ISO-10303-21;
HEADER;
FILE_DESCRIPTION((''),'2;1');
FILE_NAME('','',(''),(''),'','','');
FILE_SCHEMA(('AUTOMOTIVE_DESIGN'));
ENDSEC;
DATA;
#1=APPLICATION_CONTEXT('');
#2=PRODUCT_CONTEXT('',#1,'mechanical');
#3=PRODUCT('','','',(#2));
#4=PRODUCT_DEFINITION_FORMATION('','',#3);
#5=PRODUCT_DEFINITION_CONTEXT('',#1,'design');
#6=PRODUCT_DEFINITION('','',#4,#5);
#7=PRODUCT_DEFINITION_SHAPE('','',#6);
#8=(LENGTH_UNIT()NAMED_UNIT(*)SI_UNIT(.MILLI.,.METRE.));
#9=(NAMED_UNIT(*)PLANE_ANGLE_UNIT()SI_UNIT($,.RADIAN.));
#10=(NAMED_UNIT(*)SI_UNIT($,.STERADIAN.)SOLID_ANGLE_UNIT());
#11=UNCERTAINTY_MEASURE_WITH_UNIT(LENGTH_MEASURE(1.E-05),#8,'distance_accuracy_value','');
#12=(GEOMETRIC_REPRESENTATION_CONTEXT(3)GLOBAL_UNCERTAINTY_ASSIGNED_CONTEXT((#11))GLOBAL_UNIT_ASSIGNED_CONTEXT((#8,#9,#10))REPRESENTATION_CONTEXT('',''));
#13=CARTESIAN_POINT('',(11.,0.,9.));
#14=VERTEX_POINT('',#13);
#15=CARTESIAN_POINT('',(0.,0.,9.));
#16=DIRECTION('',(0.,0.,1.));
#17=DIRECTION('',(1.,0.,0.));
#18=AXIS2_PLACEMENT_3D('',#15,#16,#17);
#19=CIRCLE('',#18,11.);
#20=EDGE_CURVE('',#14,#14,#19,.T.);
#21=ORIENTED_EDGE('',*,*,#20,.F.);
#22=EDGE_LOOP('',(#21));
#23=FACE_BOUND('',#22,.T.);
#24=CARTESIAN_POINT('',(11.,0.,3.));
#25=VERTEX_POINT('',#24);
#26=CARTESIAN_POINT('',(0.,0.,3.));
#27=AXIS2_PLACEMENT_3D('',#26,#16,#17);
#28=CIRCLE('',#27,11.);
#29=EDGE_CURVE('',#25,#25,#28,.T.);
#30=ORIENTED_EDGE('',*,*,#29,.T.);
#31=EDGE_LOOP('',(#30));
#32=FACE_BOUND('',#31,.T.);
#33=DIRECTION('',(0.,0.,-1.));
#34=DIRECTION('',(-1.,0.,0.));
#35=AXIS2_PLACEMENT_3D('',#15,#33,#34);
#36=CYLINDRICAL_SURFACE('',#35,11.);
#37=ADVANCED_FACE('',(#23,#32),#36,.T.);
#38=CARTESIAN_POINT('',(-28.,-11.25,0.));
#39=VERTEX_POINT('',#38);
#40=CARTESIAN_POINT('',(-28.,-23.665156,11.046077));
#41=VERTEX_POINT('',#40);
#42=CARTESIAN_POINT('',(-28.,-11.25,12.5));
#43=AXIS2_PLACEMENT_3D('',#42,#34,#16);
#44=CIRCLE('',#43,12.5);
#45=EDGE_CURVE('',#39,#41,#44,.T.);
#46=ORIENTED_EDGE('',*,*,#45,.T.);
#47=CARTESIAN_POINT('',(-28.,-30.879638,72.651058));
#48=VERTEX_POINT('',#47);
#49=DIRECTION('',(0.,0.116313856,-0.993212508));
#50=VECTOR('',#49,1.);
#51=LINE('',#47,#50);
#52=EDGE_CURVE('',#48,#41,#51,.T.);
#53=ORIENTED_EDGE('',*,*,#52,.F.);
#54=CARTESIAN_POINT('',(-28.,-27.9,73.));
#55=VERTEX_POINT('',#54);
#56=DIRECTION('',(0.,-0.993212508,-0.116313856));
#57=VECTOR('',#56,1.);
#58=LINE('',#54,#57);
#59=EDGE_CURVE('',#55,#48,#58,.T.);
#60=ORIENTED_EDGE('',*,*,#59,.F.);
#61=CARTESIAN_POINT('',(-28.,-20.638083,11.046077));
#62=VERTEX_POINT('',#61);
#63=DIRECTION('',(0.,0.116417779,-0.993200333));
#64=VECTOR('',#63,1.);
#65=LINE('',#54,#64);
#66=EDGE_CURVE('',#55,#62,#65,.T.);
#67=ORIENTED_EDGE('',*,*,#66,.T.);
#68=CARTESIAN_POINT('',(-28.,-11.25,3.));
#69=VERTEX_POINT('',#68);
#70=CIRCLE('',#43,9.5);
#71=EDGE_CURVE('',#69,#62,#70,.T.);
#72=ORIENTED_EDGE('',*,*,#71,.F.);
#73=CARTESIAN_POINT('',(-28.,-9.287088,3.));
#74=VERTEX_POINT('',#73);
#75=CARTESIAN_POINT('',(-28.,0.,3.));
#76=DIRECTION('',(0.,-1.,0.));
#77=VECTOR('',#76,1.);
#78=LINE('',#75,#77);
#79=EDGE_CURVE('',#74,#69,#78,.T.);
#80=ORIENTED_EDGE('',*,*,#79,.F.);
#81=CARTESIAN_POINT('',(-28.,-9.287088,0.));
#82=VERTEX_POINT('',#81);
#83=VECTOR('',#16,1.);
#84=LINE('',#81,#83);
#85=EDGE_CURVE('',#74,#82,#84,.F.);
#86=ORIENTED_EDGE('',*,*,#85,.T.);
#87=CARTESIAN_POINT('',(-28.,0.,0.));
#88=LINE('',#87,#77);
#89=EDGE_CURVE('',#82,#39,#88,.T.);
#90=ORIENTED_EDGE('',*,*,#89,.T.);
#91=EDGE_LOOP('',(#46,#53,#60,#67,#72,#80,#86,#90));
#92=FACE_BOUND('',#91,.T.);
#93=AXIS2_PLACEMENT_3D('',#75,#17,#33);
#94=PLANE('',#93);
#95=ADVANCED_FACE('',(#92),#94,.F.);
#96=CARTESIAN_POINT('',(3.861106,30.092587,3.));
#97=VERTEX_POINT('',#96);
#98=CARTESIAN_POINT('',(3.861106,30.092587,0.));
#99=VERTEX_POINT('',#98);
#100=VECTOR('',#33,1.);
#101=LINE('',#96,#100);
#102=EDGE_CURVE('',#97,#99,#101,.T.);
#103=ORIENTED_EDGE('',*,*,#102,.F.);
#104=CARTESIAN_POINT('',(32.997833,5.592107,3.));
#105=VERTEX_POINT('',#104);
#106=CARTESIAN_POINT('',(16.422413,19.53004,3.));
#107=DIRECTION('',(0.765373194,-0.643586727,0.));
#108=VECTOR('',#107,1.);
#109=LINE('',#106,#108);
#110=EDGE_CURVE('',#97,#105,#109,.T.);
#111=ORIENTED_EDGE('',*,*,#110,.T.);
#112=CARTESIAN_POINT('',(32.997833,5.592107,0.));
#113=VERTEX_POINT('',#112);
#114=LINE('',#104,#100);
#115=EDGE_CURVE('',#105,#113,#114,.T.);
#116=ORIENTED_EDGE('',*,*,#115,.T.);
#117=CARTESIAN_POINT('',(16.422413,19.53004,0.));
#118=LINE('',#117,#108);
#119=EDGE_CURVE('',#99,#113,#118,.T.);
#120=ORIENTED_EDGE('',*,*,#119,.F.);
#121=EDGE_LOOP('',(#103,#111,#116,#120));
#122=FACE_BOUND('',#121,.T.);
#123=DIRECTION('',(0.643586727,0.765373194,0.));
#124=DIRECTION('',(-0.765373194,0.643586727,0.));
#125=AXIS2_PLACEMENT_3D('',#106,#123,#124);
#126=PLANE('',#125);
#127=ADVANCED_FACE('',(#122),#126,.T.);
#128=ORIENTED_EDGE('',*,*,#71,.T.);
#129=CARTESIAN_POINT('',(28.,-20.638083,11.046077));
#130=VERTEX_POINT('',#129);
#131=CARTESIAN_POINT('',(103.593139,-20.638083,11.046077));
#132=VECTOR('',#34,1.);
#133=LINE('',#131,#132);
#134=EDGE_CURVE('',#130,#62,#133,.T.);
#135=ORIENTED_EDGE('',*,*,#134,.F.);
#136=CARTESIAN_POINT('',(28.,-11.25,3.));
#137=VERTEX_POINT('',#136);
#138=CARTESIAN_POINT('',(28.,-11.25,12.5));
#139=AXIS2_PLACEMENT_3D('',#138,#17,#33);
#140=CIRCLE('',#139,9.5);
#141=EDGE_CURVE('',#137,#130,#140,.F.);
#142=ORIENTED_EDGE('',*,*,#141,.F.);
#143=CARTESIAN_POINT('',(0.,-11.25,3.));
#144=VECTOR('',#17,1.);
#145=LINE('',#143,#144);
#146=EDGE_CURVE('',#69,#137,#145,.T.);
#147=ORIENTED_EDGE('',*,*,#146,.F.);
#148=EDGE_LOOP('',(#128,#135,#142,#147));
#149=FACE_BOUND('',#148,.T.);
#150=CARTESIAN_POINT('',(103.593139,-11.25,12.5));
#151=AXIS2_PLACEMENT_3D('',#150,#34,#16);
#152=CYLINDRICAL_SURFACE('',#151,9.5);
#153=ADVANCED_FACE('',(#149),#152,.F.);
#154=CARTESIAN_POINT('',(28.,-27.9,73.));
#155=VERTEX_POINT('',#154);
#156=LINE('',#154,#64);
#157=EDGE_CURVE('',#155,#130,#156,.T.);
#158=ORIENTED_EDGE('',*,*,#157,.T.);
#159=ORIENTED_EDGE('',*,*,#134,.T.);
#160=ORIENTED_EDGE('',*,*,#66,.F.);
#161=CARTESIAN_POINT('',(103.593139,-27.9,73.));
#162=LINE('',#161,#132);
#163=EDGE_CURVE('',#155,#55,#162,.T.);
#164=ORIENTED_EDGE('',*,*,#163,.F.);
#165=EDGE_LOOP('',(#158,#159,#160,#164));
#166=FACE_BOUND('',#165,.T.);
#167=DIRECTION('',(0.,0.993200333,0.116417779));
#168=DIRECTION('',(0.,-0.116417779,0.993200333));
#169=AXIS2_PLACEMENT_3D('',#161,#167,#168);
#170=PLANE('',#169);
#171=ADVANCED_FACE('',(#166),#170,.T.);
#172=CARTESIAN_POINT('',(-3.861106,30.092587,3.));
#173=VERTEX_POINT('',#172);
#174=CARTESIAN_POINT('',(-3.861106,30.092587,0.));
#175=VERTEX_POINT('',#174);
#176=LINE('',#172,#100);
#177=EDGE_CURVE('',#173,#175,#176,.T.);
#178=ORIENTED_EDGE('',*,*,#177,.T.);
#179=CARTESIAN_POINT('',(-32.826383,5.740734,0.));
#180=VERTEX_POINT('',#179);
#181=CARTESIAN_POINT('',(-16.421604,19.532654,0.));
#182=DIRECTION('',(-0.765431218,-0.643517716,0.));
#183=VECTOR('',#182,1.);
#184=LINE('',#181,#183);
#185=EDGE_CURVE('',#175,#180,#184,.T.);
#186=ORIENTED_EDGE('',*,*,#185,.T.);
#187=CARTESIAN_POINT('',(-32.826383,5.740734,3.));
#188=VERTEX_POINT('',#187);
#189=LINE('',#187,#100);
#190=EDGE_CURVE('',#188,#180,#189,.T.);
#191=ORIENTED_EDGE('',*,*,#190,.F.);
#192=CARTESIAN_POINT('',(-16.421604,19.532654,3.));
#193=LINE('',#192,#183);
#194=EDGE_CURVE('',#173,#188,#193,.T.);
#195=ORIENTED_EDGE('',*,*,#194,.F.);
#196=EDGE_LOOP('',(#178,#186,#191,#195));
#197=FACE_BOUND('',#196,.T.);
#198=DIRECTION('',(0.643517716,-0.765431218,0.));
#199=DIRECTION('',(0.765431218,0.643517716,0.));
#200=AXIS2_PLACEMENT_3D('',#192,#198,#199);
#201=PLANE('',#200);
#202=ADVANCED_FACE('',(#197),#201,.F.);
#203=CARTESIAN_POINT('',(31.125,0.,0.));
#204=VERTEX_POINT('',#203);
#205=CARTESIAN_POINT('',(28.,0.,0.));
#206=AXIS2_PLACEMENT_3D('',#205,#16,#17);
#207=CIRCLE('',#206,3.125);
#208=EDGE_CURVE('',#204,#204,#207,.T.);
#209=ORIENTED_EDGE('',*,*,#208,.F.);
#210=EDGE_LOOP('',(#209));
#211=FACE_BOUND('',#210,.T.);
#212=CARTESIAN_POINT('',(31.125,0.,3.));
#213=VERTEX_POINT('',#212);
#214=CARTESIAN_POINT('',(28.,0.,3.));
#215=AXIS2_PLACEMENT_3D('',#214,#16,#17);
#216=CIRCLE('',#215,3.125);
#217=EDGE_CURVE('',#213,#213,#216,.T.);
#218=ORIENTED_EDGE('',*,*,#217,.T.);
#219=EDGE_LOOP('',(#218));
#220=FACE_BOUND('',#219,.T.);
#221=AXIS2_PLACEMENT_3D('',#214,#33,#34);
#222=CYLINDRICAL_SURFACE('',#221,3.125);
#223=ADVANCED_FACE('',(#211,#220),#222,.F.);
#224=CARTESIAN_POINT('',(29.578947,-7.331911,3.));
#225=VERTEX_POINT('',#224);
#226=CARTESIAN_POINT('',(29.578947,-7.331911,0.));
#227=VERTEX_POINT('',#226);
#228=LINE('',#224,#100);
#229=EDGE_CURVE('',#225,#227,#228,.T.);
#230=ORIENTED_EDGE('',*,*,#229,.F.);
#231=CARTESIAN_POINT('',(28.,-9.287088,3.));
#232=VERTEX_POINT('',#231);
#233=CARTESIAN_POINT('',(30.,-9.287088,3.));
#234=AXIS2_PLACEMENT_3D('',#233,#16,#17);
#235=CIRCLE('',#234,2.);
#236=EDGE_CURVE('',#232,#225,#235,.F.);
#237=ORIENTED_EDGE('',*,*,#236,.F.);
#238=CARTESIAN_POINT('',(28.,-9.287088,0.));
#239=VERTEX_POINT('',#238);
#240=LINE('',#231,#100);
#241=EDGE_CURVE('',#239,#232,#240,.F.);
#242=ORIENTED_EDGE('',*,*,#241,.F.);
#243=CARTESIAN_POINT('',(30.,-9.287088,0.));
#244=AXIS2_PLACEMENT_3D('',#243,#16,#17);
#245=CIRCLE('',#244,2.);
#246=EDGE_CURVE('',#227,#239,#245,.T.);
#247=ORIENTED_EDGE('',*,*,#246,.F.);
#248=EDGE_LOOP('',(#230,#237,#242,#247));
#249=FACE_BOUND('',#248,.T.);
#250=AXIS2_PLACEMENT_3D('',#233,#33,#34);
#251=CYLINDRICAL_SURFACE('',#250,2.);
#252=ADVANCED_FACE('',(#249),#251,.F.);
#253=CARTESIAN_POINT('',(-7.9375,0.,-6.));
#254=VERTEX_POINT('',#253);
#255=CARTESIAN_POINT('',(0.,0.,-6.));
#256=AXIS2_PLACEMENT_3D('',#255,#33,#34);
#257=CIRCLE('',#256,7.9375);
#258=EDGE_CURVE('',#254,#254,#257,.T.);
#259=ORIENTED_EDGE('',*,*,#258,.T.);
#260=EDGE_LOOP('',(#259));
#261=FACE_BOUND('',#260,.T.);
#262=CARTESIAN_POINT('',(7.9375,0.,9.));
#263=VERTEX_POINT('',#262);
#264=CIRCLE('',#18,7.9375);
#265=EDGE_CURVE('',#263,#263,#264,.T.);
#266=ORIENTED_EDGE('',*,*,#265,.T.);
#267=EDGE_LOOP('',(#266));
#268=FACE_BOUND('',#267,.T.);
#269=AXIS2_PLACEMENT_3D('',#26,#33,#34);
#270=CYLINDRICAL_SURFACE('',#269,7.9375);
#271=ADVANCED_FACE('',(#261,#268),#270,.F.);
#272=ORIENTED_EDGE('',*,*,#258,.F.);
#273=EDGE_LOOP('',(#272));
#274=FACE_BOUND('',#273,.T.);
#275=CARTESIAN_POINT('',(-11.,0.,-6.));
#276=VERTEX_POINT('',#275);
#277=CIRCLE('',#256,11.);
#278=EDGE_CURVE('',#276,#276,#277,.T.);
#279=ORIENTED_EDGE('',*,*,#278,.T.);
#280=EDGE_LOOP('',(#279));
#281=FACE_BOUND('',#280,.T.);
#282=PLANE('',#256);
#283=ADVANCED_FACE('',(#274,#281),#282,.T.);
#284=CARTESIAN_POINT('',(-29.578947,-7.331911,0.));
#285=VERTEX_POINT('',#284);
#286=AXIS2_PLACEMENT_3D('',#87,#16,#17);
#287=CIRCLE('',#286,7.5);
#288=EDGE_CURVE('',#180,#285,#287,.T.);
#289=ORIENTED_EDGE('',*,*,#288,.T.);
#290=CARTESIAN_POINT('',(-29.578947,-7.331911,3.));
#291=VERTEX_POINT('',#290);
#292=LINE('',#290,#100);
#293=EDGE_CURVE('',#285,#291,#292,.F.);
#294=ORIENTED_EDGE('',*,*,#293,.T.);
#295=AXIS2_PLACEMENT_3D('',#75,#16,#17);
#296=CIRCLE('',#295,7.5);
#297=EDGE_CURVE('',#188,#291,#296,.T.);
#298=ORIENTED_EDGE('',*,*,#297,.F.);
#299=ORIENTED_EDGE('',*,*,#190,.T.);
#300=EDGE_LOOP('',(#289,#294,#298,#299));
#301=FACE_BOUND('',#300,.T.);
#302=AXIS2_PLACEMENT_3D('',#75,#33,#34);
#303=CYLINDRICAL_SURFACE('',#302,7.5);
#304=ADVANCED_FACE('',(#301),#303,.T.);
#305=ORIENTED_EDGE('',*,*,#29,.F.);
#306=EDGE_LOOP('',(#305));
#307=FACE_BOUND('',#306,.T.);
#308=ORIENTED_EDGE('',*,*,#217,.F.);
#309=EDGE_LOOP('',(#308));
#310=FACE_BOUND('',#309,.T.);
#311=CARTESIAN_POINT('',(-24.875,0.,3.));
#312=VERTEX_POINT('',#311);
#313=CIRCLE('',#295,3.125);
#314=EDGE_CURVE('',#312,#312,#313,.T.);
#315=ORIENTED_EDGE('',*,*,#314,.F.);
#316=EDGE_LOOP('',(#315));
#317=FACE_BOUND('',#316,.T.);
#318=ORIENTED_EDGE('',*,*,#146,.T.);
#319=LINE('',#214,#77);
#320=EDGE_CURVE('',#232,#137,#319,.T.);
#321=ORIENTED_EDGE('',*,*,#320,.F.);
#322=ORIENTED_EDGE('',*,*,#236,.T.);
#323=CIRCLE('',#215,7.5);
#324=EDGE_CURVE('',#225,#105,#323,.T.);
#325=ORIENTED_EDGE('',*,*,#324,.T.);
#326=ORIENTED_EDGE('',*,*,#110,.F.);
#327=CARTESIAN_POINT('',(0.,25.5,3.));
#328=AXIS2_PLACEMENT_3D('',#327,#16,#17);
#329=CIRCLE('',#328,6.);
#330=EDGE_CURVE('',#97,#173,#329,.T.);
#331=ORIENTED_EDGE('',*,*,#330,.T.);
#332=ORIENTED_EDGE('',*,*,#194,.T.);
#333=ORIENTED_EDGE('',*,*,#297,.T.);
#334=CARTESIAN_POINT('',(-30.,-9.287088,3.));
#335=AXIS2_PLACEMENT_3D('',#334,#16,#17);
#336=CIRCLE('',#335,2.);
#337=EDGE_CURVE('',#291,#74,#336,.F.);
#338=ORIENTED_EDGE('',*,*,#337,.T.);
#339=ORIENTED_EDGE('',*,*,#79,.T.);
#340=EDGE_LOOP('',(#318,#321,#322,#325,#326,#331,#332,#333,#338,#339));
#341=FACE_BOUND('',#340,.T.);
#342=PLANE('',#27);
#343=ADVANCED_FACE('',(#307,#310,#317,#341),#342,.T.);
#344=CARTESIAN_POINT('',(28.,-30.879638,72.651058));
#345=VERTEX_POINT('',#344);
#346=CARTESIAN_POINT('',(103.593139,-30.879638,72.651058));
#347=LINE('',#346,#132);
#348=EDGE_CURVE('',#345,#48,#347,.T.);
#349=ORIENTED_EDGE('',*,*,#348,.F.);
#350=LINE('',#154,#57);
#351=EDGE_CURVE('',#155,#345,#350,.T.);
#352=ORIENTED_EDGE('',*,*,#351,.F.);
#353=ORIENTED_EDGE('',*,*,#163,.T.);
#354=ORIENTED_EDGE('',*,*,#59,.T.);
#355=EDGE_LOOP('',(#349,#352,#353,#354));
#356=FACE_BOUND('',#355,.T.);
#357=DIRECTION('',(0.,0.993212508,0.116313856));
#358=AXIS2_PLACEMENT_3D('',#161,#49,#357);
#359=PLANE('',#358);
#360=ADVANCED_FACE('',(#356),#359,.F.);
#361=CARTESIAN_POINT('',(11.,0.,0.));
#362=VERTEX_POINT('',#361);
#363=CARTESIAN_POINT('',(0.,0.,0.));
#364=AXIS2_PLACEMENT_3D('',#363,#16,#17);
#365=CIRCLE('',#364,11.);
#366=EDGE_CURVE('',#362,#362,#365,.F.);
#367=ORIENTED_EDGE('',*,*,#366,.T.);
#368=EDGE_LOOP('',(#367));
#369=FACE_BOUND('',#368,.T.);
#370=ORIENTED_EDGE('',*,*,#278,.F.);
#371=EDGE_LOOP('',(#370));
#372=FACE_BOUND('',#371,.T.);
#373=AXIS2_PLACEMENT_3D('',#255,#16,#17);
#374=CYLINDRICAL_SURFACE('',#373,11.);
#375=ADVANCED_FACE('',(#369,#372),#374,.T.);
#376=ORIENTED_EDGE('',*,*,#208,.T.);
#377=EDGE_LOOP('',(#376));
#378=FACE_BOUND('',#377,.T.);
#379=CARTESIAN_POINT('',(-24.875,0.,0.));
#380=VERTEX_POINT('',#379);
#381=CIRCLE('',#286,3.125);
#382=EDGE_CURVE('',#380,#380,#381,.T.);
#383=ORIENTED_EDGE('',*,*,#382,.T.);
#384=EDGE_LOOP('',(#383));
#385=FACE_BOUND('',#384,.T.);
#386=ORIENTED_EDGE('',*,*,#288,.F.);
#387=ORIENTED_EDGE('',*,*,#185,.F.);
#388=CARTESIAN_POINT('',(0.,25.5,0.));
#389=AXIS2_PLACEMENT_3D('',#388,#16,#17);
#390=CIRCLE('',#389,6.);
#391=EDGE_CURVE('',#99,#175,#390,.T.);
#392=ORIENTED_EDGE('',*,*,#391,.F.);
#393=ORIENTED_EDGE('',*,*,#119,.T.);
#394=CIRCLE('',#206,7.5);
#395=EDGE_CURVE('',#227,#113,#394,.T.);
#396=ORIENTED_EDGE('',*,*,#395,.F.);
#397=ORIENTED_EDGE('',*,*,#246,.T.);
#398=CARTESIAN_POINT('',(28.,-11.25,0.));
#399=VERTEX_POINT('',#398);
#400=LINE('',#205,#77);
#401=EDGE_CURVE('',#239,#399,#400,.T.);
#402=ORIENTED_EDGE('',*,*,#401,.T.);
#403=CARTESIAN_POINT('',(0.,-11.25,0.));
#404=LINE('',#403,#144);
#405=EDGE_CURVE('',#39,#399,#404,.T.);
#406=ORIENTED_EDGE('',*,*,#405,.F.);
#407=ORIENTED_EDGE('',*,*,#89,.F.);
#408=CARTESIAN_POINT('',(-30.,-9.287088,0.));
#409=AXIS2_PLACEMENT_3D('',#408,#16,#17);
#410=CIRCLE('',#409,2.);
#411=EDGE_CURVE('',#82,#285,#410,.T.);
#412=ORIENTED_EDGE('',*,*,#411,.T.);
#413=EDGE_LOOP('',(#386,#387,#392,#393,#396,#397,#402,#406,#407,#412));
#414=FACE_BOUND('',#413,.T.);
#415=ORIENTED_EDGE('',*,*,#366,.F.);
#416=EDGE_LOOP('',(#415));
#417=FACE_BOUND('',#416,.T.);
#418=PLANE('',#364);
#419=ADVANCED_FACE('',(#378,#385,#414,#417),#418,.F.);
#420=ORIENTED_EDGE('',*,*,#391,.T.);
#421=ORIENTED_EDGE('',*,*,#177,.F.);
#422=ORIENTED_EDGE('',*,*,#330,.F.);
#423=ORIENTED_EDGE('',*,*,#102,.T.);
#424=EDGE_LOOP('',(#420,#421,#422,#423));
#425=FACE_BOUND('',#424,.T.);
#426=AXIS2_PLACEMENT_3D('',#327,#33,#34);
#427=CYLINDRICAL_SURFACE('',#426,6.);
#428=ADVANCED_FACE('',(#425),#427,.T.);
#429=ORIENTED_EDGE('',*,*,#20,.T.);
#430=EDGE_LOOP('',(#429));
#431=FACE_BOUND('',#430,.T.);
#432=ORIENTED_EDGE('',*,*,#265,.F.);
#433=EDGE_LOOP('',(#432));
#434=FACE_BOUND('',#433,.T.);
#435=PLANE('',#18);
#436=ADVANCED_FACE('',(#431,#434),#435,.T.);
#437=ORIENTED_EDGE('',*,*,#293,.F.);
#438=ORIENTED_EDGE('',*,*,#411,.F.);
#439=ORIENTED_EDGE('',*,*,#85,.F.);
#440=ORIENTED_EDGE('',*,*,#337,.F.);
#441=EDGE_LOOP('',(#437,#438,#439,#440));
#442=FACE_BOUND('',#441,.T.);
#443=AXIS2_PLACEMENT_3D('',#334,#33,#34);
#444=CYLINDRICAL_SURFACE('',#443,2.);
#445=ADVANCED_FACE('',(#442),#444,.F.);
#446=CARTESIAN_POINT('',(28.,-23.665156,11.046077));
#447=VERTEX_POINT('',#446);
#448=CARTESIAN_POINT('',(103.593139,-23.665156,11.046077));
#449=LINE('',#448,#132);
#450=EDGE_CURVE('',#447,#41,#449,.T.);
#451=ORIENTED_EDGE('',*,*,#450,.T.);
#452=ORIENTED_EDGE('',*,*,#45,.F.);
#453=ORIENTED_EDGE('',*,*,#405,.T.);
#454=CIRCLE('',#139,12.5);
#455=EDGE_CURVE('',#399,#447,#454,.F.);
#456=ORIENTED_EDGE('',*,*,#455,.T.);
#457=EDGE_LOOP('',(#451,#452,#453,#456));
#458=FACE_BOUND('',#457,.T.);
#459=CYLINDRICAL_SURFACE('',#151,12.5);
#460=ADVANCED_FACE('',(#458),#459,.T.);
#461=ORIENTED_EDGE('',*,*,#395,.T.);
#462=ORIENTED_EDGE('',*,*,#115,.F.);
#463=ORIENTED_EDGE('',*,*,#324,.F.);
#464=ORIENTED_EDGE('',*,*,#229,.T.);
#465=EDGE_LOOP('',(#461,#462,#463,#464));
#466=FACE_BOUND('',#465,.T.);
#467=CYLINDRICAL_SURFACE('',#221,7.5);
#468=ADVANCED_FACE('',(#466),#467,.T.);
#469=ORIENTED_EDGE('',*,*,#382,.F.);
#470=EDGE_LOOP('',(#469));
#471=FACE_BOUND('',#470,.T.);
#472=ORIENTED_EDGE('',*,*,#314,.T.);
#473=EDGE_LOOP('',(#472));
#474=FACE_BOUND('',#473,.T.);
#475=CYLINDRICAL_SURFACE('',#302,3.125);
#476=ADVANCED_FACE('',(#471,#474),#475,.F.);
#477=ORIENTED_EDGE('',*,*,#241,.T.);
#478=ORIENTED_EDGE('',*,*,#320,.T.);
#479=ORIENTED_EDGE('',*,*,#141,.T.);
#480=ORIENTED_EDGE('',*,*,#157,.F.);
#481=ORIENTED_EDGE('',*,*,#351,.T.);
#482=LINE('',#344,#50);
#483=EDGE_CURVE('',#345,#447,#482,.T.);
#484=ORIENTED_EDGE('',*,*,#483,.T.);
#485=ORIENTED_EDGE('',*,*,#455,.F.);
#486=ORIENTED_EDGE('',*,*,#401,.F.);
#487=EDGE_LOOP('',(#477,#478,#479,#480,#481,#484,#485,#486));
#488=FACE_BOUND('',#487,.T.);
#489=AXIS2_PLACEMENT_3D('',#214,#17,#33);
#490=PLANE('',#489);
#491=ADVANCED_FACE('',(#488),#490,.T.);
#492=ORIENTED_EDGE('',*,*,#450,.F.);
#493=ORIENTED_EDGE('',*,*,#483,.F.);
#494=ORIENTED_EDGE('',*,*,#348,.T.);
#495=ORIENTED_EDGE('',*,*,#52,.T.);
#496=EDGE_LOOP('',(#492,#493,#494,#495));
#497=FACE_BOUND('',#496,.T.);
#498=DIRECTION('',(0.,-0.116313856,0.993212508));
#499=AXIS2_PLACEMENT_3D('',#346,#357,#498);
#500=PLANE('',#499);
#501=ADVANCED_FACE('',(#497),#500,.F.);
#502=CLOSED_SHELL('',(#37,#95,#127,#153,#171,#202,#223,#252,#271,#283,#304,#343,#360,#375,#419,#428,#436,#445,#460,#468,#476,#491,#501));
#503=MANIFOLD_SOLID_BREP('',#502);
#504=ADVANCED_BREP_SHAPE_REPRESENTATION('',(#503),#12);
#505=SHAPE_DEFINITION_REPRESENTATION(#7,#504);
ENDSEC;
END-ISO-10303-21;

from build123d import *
from build123d.topology import SkipClean

# Parameters (mm, degrees)
SKETCH2_R           = 3.125
SKETCH2_R_2         = 7.9375
BOSS_EXTRUDE2_DEPTH = 3
BOSS_EXTRUDE3_START = 6
SKETCH5_R           = 11
SKETCH5_R_2         = 7.9375
BOSS_EXTRUDE3_DEPTH = 6
SKETCH6_R           = 11
SKETCH6_R_2         = 7.9375
BOSS_EXTRUDE4_DEPTH = 6
BOSS_EXTRUDE5_DEPTH = 56
FILLET1_R           = 2


with BuildPart() as part:
    # Sketch2 → Boss-Extrude2 (new body)
    # profile 1 of 2: a face of its own
    with BuildSketch(Plane.XY):
        with BuildLine():
            ThreePointArc((3.861106297, 30.092587306), (0, 31.5), (-3.861106297, 30.092587306))
            Line((-3.861106297, 30.092587306), (-32.826382871, 5.740734133))
            ThreePointArc((-32.826382871, 5.740734133), (-35.046470961, -2.568510658), (-28, -7.5))
            Line((-28, -7.5), (-28, -11.25))
            Line((-28, -11.25), (28, -11.25))
            Line((28, -11.25), (28, -7.5))
            ThreePointArc((28, -7.5), (35.006811058, -2.674808179), (32.997833475, 5.592106988))
            Line((32.997833475, 5.592106988), (32.651575677, 5.883268116))
            Line((32.651575677, 5.883268116), (3.86193439, 30.091890979))
            Line((3.86193439, 30.091890979), (3.861106297, 30.092587306))
        make_face()
        with Locations((-28, 0)):
            Circle(SKETCH2_R, mode=Mode.SUBTRACT)
        with BuildLine():
            ThreePointArc((0, -11), (-0.700886243, -10.97764813), (-1.3989241, -10.910683359))
            ThreePointArc((-1.3989241, -10.910683359), (-7.266768019, 8.25797085), (11, 0))
            ThreePointArc((11, 0), (7.778174593, -7.778174593), (0, -11))
        make_face(mode=Mode.SUBTRACT)
        with Locations((28, 0)):
            Circle(SKETCH2_R, mode=Mode.SUBTRACT)
    # profile 2 of 2: a face of its own
    with BuildSketch(Plane.XY):
        with BuildLine():
            ThreePointArc((11, 0), (-7.266768019, 8.25797085), (-1.3989241, -10.910683359))
            ThreePointArc((-1.3989241, -10.910683359), (-0.700886243, -10.97764813), (0, -11))
            ThreePointArc((0, -11), (7.778174593, -7.778174593), (11, 0))
        make_face()
        Circle(SKETCH2_R_2, mode=Mode.SUBTRACT)
    extrude(amount=BOSS_EXTRUDE2_DEPTH)

    # Sketch5 → Boss-Extrude3 (add)
    with SkipClean():  # the faces are left unmerged after this step: merging them gives an invalid solid
        with BuildSketch(Plane(origin=(0, 0, 0), x_dir=(-1, 0, 0), z_dir=(0, 0, -1)).offset(BOSS_EXTRUDE3_START)):
            with Locations(Location((0, 0, 0), (0, 0, 180))):
                Circle(SKETCH5_R)
            Circle(SKETCH5_R_2, mode=Mode.SUBTRACT)
        extrude(amount=-BOSS_EXTRUDE3_DEPTH)

    # Sketch6 → Boss-Extrude4 (add)
    with BuildSketch(Plane.XY.offset(3)):
        Circle(SKETCH6_R)
        with Locations(Location((0, 0, 0), (0, 0, 180))):
            Circle(SKETCH6_R_2, mode=Mode.SUBTRACT)
    extrude(amount=BOSS_EXTRUDE4_DEPTH)

    # Sketch8 → Boss-Extrude5 (add)
    with BuildSketch(Plane.ZY.offset(28)):
        with BuildLine():
            Line((73, -27.9), (19.471115904, -21.625622538))
            Line((19.471115904, -21.625622538), (11.046076805, -20.638083262))
            ThreePointArc((11.046076805, -20.638083262), (5.286738936, -17.432140796), (3, -11.25))
            Line((3, -11.25), (0, -11.25))
            ThreePointArc((0, -11.25), (3.161262399, -19.558909677), (11.046076805, -23.665156356))
            Line((11.046076805, -23.665156356), (72.651058433, -30.879637525))
            Line((72.651058433, -30.879637525), (73, -27.9))
        make_face()
    extrude(amount=-BOSS_EXTRUDE5_DEPTH)

    # Fillet1
    fillet1_edges = [part.edges().sort_by_distance(p)[0] for p in [
        (-28, -7.5, 1.5),
        (28, -7.5, 1.5),
    ]]
    fillet(fillet1_edges, radius=FILLET1_R)


solid = part.part
